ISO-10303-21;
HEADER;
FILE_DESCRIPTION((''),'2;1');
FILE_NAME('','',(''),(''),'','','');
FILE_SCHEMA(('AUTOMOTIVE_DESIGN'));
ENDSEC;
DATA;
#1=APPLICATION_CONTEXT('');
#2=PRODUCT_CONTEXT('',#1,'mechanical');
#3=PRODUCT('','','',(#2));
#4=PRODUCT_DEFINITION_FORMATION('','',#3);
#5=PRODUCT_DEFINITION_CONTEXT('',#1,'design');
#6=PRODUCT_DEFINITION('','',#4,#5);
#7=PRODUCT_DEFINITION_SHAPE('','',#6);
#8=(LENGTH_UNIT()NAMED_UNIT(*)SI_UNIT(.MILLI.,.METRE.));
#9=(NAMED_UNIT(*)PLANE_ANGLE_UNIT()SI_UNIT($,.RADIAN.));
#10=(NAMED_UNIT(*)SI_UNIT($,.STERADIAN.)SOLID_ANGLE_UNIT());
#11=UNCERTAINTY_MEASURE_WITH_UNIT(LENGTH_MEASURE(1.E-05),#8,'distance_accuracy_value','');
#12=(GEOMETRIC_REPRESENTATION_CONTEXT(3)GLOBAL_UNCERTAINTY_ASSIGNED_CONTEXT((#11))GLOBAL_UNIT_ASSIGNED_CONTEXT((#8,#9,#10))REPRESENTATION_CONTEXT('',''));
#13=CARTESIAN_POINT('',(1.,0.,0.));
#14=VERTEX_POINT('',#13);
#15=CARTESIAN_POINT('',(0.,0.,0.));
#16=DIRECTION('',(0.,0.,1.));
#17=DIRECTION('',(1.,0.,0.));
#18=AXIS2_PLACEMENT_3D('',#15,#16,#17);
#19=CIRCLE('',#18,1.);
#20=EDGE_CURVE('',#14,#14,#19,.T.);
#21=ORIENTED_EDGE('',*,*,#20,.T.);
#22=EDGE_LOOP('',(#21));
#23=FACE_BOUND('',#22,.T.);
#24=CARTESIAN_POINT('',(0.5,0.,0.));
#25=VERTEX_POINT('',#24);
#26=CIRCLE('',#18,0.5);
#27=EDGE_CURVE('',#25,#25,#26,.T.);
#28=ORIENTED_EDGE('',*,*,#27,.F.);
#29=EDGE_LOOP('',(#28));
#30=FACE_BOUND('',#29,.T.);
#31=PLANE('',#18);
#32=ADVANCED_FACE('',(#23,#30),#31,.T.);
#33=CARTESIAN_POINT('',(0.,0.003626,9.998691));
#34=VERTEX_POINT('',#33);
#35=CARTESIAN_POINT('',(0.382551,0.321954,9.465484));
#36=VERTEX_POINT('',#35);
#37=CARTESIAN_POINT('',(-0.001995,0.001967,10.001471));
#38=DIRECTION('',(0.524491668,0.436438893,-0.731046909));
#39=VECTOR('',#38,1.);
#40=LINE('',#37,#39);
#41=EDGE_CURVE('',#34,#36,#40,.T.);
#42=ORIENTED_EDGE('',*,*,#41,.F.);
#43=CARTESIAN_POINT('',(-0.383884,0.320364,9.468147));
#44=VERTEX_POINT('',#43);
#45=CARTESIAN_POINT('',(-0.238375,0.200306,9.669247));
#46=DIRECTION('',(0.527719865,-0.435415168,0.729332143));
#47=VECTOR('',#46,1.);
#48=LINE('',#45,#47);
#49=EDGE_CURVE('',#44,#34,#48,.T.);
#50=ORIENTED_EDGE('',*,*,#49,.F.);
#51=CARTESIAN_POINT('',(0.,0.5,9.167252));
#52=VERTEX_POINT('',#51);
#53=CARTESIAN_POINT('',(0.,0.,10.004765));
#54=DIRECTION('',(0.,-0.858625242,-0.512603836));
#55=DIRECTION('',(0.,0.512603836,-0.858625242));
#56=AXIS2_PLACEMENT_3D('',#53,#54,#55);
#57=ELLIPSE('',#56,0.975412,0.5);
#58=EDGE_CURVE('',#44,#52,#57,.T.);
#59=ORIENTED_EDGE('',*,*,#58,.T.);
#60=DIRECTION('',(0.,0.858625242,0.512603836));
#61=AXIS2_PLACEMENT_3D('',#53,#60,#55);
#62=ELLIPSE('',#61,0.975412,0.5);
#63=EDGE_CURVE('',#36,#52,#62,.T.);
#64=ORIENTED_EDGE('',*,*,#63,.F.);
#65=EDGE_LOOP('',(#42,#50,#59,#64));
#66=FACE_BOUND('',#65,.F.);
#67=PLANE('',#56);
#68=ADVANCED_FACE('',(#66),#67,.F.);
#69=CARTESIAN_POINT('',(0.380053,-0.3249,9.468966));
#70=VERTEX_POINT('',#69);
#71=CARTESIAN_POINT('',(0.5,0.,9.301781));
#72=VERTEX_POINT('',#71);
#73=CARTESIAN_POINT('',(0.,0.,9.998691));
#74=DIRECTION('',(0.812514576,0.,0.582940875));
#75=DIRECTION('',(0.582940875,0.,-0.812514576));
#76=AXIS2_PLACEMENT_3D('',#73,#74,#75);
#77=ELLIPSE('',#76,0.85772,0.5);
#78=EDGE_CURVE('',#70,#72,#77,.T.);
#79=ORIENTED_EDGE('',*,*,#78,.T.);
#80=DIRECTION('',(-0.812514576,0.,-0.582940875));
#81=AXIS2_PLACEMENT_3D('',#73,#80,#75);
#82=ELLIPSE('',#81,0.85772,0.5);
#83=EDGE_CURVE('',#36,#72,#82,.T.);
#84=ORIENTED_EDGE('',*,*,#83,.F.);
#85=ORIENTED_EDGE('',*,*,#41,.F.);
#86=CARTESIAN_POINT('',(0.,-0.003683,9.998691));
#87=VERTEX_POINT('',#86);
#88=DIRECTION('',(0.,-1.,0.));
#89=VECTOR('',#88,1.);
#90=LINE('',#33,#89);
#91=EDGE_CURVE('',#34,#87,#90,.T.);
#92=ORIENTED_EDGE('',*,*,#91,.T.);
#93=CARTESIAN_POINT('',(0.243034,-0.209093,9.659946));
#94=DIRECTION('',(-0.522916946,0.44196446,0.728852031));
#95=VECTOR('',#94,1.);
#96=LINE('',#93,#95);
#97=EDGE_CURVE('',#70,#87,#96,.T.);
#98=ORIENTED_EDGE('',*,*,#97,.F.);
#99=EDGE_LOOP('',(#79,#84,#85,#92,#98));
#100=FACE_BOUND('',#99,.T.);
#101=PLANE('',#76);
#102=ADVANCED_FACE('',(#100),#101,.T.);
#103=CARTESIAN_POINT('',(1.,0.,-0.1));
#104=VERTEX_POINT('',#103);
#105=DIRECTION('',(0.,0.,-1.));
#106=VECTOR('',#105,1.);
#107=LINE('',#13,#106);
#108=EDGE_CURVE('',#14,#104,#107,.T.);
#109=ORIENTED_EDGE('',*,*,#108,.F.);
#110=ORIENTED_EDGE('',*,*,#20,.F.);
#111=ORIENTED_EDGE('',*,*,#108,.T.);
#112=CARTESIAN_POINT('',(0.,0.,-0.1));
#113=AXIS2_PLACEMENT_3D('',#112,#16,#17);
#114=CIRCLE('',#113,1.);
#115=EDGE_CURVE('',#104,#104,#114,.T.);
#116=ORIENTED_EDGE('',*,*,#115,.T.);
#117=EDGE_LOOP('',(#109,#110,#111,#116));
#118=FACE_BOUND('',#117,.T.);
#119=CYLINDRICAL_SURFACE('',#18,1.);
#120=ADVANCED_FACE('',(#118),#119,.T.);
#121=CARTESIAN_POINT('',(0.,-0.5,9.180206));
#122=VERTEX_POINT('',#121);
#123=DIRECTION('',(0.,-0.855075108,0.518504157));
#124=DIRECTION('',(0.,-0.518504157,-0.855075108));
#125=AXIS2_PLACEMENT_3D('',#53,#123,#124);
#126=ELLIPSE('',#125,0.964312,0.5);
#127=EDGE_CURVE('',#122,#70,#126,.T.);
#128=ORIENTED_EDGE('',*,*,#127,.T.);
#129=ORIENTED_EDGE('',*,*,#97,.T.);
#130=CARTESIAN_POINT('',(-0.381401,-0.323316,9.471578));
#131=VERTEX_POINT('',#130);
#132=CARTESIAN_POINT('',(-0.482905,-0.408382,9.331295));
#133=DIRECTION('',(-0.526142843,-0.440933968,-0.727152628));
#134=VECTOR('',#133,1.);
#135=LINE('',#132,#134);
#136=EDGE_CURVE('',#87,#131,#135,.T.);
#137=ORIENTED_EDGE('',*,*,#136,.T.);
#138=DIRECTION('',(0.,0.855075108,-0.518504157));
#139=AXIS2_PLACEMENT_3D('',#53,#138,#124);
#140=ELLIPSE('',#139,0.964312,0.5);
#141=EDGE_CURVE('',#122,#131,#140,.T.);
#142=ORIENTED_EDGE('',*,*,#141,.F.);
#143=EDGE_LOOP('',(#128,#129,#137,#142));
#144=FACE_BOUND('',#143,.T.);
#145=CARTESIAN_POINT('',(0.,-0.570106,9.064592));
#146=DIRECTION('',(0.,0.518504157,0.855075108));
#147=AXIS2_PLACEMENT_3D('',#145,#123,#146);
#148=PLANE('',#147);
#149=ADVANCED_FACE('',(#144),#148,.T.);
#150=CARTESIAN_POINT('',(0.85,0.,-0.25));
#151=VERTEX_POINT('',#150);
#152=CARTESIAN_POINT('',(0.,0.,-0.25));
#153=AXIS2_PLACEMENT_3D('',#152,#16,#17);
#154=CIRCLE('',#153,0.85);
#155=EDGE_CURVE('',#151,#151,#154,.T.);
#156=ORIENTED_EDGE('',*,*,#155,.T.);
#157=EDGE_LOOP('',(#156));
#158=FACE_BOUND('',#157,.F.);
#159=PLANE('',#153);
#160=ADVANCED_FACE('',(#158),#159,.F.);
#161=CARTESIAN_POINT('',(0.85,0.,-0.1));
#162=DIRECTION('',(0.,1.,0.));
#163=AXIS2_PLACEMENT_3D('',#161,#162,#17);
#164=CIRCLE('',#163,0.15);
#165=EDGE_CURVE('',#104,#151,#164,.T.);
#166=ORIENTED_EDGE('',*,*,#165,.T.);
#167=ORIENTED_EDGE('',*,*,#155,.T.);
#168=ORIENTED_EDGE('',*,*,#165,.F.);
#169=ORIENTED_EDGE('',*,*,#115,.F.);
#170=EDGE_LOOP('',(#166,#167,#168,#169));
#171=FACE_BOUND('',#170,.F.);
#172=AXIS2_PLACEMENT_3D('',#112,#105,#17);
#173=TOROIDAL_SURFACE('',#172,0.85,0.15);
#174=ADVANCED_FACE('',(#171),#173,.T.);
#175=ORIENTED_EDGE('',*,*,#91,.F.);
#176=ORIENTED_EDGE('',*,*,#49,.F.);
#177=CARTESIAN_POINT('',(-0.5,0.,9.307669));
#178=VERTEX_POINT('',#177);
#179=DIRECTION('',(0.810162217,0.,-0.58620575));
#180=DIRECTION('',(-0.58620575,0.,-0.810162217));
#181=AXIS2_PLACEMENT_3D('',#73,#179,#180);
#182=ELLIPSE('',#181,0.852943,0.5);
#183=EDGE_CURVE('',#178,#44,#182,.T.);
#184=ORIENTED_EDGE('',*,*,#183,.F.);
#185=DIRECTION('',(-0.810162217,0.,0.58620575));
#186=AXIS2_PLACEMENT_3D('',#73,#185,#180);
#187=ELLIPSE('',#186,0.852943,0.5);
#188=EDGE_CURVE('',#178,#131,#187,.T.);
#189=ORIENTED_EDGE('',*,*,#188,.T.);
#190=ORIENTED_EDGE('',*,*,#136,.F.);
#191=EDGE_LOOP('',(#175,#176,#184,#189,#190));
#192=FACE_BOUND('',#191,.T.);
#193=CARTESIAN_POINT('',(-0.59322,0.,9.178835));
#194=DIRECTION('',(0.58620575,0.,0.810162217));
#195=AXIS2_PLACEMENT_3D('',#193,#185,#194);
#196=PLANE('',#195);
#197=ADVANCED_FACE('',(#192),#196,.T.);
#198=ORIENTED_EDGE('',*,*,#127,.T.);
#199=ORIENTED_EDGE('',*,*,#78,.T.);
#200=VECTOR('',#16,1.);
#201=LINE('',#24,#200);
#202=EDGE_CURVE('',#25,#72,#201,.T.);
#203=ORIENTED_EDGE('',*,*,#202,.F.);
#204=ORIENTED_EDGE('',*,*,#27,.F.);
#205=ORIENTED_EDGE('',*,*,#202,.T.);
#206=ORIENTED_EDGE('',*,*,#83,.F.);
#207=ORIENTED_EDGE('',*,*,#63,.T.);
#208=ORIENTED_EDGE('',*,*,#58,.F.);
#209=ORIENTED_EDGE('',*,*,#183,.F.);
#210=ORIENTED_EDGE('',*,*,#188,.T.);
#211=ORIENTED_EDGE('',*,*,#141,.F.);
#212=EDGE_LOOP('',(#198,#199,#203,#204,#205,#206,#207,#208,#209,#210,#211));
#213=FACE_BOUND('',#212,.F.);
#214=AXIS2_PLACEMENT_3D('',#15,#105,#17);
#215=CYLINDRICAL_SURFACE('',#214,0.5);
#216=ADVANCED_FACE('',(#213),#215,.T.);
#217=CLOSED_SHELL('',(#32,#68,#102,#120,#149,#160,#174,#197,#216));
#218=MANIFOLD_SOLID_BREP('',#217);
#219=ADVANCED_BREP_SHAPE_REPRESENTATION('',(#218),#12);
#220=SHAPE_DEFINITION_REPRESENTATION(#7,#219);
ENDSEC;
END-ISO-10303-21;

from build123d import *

# Parameters (mm, degrees)
F0_R          = 0.5
F1_DEPTH      = 10
F0_R_2        = 1
F2_DEPTH      = 0.25
F3_R          = 0.15
F5_DEPTH      = 25
F5_DEPTH_BACK = 25
F7_DEPTH      = 25
F7_DEPTH_BACK = 25


with BuildPart() as f1:
    # F0 (on Top) → F1 (new body)
    with BuildSketch(Plane.XY):
        Circle(F0_R)
    extrude(amount=F1_DEPTH)

    # F0 (on Top) → F2 (join)
    with BuildSketch(Plane.XY):
        Circle(F0_R_2)
        Circle(F0_R, mode=Mode.SUBTRACT)
        Circle(F0_R)
    extrude(amount=-F2_DEPTH)

    # F3
    f3_edges = [f1.edges().sort_by_distance(p)[0] for p in [
        (-1, 0, -0.25),
    ]]
    fillet(f3_edges, radius=F3_R)

    # F4 (on Right) → F5 (cut, two sides)
    with BuildSketch(Plane.YZ) as f5_sk:
        Polygon((-0.5701061455, 9.0645924211), (0, 10.0047653541), (0.5819916259, 9.0299136937), (0.5819916259, 10.0856823847), (-0.6548758829, 10.0856823847), align=None)
    extrude(amount=F5_DEPTH, mode=Mode.SUBTRACT)
    extrude(f5_sk.sketch, amount=-F5_DEPTH_BACK, mode=Mode.SUBTRACT)

    # F6 (on Front) → F7 (cut, two sides)
    with BuildSketch(Plane.XZ) as f7_sk:
        Polygon((-0.5932200584, 9.1788349673), (0, 9.9986912683), (0.5793294404, 9.1912103817), (0.6381116109, 10.2987894788), (-0.5932200584, 10.2987894788), align=None)
    extrude(amount=F7_DEPTH, mode=Mode.SUBTRACT)
    extrude(f7_sk.sketch, amount=-F7_DEPTH_BACK, mode=Mode.SUBTRACT)


solid = f1.part
